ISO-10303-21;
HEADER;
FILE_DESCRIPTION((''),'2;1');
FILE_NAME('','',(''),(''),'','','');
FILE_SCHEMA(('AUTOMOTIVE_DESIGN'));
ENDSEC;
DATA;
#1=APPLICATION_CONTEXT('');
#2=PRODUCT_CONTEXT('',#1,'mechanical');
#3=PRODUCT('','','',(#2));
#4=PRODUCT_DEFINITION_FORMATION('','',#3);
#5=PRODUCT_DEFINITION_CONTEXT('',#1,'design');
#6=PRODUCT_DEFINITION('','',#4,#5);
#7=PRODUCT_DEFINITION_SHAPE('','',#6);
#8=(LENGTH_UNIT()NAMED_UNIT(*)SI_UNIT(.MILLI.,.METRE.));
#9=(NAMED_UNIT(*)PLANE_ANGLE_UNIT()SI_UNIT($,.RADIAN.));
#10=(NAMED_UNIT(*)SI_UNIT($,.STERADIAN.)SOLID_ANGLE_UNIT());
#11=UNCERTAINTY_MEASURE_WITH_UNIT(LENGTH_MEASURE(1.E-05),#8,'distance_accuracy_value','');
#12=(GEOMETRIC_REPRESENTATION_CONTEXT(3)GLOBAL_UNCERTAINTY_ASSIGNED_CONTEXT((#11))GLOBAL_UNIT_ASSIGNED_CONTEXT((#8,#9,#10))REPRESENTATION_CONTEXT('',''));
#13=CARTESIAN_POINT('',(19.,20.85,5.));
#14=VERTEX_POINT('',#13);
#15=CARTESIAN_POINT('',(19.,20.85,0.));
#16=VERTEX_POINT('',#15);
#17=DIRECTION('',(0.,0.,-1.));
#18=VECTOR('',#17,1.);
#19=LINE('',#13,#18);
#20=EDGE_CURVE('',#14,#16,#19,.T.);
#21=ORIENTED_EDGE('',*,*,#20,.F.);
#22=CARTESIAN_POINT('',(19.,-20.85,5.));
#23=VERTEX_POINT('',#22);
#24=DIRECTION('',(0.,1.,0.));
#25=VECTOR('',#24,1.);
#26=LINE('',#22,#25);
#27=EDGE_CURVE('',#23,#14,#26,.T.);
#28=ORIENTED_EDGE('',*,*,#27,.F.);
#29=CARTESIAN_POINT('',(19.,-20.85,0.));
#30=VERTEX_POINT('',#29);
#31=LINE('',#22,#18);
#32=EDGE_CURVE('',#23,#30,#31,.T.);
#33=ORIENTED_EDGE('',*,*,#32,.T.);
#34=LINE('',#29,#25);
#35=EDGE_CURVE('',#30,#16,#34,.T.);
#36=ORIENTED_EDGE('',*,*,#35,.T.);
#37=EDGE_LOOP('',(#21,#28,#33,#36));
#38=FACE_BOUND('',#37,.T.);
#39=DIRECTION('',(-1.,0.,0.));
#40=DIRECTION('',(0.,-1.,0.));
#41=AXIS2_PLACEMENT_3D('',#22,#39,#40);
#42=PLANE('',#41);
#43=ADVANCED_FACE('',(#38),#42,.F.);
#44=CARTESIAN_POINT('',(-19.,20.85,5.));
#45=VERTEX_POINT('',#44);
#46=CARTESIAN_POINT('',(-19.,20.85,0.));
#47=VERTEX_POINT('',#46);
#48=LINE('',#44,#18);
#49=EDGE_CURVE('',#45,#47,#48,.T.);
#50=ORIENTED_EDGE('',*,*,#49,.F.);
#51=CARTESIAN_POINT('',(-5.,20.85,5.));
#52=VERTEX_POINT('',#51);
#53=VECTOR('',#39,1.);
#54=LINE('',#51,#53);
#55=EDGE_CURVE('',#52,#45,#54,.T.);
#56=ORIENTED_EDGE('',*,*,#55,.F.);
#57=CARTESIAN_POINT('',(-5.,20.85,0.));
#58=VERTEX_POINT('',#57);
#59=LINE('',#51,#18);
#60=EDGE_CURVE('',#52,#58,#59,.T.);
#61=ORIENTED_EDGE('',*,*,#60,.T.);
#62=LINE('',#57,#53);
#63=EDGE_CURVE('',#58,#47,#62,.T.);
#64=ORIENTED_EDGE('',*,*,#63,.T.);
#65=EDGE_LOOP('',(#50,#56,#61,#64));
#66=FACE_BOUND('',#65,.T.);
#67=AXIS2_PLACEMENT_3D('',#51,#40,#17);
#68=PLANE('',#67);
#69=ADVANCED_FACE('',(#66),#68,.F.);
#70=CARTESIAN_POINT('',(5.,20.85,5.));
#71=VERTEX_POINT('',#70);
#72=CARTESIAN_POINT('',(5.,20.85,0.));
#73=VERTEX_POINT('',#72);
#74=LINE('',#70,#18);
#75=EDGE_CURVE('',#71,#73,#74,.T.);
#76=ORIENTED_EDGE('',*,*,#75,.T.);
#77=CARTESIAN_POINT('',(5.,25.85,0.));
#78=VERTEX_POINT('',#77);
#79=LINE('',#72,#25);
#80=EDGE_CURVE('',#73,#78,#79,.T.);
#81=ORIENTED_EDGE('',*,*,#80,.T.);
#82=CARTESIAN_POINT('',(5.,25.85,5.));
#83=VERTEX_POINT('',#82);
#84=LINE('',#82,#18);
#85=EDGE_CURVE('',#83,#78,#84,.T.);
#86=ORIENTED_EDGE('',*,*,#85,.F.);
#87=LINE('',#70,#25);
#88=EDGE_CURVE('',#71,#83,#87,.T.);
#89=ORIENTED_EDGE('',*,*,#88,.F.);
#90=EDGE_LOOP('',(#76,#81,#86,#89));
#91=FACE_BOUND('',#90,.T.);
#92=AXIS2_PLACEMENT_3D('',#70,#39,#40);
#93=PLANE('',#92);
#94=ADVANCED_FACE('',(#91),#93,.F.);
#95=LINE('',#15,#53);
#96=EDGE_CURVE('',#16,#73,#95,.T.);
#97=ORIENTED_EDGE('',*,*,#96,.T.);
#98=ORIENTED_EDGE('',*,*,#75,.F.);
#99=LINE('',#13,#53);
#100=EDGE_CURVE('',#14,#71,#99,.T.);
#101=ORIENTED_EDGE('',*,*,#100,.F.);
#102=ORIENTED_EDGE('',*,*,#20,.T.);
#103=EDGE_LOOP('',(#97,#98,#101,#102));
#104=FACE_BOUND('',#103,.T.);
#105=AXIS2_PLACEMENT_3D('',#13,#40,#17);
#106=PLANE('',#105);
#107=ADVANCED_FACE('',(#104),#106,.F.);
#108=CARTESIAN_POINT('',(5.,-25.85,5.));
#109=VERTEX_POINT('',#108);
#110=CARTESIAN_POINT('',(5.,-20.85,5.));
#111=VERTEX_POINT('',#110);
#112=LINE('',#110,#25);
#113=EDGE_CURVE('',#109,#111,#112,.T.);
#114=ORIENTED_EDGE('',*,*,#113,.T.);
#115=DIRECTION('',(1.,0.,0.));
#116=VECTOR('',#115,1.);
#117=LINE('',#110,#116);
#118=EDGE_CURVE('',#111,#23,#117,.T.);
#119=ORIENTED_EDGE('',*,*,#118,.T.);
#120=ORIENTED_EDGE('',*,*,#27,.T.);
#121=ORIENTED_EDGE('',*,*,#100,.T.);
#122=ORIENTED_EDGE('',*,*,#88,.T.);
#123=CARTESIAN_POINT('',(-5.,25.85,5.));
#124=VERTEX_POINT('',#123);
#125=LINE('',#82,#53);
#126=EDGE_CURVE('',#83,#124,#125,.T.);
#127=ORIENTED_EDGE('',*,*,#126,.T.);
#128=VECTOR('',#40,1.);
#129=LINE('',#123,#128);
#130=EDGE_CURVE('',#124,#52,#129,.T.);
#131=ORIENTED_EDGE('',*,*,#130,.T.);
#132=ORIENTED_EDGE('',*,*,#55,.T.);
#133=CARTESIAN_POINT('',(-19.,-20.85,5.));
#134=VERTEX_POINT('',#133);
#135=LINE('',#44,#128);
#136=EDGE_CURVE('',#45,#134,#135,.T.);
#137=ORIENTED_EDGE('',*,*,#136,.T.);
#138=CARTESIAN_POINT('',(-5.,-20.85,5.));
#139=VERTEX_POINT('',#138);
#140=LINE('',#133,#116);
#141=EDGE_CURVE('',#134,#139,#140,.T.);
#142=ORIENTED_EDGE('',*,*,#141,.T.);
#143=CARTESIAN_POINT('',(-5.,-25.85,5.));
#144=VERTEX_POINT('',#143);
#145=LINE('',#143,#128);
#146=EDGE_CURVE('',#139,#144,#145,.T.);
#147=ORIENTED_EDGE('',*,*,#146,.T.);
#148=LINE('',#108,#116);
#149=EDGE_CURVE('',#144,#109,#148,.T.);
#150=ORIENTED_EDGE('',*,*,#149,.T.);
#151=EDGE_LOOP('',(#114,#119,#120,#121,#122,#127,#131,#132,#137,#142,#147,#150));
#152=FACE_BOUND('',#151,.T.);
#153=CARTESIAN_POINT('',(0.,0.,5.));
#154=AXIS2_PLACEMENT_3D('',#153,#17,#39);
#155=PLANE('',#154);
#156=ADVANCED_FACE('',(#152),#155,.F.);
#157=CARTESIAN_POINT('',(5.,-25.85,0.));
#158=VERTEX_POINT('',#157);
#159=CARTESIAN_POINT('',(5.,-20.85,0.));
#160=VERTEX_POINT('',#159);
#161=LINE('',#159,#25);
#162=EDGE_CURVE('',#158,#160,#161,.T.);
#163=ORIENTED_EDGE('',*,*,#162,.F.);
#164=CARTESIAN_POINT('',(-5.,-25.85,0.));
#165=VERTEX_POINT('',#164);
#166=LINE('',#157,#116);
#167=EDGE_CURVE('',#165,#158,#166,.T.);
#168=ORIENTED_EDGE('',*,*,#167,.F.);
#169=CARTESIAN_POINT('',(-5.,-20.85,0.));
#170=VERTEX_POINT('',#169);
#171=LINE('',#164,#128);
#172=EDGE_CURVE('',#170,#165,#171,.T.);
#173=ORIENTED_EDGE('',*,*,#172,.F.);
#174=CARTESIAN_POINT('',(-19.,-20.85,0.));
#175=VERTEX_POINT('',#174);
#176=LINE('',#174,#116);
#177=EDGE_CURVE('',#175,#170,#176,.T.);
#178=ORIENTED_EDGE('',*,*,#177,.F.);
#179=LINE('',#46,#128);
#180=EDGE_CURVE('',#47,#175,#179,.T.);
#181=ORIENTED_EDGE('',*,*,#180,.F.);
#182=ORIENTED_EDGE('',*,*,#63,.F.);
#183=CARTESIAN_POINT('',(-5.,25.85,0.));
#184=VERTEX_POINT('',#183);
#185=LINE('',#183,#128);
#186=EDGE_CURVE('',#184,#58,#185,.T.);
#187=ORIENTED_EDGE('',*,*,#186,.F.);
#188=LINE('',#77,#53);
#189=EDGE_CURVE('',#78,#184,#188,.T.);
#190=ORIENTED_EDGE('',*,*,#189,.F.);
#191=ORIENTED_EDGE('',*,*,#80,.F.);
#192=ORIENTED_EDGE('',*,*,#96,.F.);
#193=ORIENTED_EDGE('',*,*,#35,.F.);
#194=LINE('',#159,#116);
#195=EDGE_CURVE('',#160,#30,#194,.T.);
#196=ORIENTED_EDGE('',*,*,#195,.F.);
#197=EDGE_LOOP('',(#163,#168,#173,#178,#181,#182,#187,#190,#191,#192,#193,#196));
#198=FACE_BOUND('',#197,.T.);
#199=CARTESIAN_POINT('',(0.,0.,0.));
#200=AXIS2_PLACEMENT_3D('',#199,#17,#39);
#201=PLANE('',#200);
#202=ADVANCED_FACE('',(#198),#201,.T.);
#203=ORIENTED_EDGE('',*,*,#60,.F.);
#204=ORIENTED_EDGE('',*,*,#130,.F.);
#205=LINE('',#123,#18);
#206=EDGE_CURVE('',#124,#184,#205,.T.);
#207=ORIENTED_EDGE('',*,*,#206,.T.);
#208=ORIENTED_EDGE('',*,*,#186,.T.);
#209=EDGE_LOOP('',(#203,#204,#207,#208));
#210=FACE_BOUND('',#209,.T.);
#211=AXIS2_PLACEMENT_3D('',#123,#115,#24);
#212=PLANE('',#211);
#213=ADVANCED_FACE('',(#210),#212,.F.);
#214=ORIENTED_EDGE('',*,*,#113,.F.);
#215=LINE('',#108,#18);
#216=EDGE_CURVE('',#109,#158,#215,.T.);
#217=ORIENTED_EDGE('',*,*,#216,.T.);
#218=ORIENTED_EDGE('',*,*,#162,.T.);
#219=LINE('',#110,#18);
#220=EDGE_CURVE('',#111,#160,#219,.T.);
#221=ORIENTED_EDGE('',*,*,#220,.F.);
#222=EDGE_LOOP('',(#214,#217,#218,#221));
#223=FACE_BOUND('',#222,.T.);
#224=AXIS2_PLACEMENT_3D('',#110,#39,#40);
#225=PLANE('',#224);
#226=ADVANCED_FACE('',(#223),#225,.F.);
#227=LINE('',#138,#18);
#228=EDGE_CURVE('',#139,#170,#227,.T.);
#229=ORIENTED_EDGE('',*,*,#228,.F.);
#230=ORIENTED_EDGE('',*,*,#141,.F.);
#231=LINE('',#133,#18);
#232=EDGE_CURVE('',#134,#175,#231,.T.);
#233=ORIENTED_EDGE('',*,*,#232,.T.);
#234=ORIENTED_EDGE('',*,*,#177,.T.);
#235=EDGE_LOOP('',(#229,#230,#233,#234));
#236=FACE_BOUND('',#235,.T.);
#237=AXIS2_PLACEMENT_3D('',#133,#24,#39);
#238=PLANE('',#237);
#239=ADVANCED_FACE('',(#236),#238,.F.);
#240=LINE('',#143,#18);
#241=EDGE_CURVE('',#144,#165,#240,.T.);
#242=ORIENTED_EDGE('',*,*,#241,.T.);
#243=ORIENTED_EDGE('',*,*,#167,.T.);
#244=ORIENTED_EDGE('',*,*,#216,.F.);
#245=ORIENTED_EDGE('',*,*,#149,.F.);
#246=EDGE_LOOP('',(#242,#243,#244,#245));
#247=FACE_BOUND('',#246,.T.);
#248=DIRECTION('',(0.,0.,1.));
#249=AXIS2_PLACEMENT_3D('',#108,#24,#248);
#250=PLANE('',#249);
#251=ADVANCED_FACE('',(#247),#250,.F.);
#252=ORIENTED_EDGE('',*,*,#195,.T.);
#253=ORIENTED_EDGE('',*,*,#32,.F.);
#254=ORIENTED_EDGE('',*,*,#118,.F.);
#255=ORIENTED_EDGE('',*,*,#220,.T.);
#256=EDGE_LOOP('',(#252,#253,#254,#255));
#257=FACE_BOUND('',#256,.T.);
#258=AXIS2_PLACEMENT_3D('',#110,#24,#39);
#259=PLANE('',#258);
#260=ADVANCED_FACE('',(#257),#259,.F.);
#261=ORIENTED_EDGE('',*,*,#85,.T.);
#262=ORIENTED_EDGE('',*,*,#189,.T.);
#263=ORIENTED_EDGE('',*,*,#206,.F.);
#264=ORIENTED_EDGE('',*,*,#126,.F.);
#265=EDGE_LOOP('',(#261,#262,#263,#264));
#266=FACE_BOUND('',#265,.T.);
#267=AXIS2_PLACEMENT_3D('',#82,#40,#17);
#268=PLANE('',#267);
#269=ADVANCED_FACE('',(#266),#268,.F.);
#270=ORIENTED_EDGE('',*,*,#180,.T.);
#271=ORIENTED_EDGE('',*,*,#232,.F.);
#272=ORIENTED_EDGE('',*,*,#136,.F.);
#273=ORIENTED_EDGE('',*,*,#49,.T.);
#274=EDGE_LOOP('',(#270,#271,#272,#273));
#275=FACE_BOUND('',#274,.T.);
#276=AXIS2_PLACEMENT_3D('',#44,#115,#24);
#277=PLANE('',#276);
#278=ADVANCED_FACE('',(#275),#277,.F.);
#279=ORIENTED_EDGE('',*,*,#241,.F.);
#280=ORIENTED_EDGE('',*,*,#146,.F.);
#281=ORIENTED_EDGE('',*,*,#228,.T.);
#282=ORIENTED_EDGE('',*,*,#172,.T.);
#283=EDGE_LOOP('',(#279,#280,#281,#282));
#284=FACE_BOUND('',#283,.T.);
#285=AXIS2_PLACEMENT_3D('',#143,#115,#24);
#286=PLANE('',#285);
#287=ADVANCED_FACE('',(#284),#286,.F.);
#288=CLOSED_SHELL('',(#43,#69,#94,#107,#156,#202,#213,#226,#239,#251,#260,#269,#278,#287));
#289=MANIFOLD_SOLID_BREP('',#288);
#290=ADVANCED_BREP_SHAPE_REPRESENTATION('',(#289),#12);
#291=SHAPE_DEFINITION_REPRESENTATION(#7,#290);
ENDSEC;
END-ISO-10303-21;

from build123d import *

# Parameters (mm, degrees)
BOSS_EXTRUDE1_DEPTH = 5


with BuildPart() as part:
    # Sketch2 → Boss-Extrude1 (new body)
    with BuildSketch(Plane.XY):
        Polygon((-5, -25.85), (-5, -20.85), (-19, -20.85), (-19, 20.85), (-5, 20.85), (-5, 25.85), (5, 25.85), (5, 20.85), (19, 20.85), (19, -20.85), (5, -20.85), (5, -25.85), align=None)
    extrude(amount=BOSS_EXTRUDE1_DEPTH)


solid = part.part
